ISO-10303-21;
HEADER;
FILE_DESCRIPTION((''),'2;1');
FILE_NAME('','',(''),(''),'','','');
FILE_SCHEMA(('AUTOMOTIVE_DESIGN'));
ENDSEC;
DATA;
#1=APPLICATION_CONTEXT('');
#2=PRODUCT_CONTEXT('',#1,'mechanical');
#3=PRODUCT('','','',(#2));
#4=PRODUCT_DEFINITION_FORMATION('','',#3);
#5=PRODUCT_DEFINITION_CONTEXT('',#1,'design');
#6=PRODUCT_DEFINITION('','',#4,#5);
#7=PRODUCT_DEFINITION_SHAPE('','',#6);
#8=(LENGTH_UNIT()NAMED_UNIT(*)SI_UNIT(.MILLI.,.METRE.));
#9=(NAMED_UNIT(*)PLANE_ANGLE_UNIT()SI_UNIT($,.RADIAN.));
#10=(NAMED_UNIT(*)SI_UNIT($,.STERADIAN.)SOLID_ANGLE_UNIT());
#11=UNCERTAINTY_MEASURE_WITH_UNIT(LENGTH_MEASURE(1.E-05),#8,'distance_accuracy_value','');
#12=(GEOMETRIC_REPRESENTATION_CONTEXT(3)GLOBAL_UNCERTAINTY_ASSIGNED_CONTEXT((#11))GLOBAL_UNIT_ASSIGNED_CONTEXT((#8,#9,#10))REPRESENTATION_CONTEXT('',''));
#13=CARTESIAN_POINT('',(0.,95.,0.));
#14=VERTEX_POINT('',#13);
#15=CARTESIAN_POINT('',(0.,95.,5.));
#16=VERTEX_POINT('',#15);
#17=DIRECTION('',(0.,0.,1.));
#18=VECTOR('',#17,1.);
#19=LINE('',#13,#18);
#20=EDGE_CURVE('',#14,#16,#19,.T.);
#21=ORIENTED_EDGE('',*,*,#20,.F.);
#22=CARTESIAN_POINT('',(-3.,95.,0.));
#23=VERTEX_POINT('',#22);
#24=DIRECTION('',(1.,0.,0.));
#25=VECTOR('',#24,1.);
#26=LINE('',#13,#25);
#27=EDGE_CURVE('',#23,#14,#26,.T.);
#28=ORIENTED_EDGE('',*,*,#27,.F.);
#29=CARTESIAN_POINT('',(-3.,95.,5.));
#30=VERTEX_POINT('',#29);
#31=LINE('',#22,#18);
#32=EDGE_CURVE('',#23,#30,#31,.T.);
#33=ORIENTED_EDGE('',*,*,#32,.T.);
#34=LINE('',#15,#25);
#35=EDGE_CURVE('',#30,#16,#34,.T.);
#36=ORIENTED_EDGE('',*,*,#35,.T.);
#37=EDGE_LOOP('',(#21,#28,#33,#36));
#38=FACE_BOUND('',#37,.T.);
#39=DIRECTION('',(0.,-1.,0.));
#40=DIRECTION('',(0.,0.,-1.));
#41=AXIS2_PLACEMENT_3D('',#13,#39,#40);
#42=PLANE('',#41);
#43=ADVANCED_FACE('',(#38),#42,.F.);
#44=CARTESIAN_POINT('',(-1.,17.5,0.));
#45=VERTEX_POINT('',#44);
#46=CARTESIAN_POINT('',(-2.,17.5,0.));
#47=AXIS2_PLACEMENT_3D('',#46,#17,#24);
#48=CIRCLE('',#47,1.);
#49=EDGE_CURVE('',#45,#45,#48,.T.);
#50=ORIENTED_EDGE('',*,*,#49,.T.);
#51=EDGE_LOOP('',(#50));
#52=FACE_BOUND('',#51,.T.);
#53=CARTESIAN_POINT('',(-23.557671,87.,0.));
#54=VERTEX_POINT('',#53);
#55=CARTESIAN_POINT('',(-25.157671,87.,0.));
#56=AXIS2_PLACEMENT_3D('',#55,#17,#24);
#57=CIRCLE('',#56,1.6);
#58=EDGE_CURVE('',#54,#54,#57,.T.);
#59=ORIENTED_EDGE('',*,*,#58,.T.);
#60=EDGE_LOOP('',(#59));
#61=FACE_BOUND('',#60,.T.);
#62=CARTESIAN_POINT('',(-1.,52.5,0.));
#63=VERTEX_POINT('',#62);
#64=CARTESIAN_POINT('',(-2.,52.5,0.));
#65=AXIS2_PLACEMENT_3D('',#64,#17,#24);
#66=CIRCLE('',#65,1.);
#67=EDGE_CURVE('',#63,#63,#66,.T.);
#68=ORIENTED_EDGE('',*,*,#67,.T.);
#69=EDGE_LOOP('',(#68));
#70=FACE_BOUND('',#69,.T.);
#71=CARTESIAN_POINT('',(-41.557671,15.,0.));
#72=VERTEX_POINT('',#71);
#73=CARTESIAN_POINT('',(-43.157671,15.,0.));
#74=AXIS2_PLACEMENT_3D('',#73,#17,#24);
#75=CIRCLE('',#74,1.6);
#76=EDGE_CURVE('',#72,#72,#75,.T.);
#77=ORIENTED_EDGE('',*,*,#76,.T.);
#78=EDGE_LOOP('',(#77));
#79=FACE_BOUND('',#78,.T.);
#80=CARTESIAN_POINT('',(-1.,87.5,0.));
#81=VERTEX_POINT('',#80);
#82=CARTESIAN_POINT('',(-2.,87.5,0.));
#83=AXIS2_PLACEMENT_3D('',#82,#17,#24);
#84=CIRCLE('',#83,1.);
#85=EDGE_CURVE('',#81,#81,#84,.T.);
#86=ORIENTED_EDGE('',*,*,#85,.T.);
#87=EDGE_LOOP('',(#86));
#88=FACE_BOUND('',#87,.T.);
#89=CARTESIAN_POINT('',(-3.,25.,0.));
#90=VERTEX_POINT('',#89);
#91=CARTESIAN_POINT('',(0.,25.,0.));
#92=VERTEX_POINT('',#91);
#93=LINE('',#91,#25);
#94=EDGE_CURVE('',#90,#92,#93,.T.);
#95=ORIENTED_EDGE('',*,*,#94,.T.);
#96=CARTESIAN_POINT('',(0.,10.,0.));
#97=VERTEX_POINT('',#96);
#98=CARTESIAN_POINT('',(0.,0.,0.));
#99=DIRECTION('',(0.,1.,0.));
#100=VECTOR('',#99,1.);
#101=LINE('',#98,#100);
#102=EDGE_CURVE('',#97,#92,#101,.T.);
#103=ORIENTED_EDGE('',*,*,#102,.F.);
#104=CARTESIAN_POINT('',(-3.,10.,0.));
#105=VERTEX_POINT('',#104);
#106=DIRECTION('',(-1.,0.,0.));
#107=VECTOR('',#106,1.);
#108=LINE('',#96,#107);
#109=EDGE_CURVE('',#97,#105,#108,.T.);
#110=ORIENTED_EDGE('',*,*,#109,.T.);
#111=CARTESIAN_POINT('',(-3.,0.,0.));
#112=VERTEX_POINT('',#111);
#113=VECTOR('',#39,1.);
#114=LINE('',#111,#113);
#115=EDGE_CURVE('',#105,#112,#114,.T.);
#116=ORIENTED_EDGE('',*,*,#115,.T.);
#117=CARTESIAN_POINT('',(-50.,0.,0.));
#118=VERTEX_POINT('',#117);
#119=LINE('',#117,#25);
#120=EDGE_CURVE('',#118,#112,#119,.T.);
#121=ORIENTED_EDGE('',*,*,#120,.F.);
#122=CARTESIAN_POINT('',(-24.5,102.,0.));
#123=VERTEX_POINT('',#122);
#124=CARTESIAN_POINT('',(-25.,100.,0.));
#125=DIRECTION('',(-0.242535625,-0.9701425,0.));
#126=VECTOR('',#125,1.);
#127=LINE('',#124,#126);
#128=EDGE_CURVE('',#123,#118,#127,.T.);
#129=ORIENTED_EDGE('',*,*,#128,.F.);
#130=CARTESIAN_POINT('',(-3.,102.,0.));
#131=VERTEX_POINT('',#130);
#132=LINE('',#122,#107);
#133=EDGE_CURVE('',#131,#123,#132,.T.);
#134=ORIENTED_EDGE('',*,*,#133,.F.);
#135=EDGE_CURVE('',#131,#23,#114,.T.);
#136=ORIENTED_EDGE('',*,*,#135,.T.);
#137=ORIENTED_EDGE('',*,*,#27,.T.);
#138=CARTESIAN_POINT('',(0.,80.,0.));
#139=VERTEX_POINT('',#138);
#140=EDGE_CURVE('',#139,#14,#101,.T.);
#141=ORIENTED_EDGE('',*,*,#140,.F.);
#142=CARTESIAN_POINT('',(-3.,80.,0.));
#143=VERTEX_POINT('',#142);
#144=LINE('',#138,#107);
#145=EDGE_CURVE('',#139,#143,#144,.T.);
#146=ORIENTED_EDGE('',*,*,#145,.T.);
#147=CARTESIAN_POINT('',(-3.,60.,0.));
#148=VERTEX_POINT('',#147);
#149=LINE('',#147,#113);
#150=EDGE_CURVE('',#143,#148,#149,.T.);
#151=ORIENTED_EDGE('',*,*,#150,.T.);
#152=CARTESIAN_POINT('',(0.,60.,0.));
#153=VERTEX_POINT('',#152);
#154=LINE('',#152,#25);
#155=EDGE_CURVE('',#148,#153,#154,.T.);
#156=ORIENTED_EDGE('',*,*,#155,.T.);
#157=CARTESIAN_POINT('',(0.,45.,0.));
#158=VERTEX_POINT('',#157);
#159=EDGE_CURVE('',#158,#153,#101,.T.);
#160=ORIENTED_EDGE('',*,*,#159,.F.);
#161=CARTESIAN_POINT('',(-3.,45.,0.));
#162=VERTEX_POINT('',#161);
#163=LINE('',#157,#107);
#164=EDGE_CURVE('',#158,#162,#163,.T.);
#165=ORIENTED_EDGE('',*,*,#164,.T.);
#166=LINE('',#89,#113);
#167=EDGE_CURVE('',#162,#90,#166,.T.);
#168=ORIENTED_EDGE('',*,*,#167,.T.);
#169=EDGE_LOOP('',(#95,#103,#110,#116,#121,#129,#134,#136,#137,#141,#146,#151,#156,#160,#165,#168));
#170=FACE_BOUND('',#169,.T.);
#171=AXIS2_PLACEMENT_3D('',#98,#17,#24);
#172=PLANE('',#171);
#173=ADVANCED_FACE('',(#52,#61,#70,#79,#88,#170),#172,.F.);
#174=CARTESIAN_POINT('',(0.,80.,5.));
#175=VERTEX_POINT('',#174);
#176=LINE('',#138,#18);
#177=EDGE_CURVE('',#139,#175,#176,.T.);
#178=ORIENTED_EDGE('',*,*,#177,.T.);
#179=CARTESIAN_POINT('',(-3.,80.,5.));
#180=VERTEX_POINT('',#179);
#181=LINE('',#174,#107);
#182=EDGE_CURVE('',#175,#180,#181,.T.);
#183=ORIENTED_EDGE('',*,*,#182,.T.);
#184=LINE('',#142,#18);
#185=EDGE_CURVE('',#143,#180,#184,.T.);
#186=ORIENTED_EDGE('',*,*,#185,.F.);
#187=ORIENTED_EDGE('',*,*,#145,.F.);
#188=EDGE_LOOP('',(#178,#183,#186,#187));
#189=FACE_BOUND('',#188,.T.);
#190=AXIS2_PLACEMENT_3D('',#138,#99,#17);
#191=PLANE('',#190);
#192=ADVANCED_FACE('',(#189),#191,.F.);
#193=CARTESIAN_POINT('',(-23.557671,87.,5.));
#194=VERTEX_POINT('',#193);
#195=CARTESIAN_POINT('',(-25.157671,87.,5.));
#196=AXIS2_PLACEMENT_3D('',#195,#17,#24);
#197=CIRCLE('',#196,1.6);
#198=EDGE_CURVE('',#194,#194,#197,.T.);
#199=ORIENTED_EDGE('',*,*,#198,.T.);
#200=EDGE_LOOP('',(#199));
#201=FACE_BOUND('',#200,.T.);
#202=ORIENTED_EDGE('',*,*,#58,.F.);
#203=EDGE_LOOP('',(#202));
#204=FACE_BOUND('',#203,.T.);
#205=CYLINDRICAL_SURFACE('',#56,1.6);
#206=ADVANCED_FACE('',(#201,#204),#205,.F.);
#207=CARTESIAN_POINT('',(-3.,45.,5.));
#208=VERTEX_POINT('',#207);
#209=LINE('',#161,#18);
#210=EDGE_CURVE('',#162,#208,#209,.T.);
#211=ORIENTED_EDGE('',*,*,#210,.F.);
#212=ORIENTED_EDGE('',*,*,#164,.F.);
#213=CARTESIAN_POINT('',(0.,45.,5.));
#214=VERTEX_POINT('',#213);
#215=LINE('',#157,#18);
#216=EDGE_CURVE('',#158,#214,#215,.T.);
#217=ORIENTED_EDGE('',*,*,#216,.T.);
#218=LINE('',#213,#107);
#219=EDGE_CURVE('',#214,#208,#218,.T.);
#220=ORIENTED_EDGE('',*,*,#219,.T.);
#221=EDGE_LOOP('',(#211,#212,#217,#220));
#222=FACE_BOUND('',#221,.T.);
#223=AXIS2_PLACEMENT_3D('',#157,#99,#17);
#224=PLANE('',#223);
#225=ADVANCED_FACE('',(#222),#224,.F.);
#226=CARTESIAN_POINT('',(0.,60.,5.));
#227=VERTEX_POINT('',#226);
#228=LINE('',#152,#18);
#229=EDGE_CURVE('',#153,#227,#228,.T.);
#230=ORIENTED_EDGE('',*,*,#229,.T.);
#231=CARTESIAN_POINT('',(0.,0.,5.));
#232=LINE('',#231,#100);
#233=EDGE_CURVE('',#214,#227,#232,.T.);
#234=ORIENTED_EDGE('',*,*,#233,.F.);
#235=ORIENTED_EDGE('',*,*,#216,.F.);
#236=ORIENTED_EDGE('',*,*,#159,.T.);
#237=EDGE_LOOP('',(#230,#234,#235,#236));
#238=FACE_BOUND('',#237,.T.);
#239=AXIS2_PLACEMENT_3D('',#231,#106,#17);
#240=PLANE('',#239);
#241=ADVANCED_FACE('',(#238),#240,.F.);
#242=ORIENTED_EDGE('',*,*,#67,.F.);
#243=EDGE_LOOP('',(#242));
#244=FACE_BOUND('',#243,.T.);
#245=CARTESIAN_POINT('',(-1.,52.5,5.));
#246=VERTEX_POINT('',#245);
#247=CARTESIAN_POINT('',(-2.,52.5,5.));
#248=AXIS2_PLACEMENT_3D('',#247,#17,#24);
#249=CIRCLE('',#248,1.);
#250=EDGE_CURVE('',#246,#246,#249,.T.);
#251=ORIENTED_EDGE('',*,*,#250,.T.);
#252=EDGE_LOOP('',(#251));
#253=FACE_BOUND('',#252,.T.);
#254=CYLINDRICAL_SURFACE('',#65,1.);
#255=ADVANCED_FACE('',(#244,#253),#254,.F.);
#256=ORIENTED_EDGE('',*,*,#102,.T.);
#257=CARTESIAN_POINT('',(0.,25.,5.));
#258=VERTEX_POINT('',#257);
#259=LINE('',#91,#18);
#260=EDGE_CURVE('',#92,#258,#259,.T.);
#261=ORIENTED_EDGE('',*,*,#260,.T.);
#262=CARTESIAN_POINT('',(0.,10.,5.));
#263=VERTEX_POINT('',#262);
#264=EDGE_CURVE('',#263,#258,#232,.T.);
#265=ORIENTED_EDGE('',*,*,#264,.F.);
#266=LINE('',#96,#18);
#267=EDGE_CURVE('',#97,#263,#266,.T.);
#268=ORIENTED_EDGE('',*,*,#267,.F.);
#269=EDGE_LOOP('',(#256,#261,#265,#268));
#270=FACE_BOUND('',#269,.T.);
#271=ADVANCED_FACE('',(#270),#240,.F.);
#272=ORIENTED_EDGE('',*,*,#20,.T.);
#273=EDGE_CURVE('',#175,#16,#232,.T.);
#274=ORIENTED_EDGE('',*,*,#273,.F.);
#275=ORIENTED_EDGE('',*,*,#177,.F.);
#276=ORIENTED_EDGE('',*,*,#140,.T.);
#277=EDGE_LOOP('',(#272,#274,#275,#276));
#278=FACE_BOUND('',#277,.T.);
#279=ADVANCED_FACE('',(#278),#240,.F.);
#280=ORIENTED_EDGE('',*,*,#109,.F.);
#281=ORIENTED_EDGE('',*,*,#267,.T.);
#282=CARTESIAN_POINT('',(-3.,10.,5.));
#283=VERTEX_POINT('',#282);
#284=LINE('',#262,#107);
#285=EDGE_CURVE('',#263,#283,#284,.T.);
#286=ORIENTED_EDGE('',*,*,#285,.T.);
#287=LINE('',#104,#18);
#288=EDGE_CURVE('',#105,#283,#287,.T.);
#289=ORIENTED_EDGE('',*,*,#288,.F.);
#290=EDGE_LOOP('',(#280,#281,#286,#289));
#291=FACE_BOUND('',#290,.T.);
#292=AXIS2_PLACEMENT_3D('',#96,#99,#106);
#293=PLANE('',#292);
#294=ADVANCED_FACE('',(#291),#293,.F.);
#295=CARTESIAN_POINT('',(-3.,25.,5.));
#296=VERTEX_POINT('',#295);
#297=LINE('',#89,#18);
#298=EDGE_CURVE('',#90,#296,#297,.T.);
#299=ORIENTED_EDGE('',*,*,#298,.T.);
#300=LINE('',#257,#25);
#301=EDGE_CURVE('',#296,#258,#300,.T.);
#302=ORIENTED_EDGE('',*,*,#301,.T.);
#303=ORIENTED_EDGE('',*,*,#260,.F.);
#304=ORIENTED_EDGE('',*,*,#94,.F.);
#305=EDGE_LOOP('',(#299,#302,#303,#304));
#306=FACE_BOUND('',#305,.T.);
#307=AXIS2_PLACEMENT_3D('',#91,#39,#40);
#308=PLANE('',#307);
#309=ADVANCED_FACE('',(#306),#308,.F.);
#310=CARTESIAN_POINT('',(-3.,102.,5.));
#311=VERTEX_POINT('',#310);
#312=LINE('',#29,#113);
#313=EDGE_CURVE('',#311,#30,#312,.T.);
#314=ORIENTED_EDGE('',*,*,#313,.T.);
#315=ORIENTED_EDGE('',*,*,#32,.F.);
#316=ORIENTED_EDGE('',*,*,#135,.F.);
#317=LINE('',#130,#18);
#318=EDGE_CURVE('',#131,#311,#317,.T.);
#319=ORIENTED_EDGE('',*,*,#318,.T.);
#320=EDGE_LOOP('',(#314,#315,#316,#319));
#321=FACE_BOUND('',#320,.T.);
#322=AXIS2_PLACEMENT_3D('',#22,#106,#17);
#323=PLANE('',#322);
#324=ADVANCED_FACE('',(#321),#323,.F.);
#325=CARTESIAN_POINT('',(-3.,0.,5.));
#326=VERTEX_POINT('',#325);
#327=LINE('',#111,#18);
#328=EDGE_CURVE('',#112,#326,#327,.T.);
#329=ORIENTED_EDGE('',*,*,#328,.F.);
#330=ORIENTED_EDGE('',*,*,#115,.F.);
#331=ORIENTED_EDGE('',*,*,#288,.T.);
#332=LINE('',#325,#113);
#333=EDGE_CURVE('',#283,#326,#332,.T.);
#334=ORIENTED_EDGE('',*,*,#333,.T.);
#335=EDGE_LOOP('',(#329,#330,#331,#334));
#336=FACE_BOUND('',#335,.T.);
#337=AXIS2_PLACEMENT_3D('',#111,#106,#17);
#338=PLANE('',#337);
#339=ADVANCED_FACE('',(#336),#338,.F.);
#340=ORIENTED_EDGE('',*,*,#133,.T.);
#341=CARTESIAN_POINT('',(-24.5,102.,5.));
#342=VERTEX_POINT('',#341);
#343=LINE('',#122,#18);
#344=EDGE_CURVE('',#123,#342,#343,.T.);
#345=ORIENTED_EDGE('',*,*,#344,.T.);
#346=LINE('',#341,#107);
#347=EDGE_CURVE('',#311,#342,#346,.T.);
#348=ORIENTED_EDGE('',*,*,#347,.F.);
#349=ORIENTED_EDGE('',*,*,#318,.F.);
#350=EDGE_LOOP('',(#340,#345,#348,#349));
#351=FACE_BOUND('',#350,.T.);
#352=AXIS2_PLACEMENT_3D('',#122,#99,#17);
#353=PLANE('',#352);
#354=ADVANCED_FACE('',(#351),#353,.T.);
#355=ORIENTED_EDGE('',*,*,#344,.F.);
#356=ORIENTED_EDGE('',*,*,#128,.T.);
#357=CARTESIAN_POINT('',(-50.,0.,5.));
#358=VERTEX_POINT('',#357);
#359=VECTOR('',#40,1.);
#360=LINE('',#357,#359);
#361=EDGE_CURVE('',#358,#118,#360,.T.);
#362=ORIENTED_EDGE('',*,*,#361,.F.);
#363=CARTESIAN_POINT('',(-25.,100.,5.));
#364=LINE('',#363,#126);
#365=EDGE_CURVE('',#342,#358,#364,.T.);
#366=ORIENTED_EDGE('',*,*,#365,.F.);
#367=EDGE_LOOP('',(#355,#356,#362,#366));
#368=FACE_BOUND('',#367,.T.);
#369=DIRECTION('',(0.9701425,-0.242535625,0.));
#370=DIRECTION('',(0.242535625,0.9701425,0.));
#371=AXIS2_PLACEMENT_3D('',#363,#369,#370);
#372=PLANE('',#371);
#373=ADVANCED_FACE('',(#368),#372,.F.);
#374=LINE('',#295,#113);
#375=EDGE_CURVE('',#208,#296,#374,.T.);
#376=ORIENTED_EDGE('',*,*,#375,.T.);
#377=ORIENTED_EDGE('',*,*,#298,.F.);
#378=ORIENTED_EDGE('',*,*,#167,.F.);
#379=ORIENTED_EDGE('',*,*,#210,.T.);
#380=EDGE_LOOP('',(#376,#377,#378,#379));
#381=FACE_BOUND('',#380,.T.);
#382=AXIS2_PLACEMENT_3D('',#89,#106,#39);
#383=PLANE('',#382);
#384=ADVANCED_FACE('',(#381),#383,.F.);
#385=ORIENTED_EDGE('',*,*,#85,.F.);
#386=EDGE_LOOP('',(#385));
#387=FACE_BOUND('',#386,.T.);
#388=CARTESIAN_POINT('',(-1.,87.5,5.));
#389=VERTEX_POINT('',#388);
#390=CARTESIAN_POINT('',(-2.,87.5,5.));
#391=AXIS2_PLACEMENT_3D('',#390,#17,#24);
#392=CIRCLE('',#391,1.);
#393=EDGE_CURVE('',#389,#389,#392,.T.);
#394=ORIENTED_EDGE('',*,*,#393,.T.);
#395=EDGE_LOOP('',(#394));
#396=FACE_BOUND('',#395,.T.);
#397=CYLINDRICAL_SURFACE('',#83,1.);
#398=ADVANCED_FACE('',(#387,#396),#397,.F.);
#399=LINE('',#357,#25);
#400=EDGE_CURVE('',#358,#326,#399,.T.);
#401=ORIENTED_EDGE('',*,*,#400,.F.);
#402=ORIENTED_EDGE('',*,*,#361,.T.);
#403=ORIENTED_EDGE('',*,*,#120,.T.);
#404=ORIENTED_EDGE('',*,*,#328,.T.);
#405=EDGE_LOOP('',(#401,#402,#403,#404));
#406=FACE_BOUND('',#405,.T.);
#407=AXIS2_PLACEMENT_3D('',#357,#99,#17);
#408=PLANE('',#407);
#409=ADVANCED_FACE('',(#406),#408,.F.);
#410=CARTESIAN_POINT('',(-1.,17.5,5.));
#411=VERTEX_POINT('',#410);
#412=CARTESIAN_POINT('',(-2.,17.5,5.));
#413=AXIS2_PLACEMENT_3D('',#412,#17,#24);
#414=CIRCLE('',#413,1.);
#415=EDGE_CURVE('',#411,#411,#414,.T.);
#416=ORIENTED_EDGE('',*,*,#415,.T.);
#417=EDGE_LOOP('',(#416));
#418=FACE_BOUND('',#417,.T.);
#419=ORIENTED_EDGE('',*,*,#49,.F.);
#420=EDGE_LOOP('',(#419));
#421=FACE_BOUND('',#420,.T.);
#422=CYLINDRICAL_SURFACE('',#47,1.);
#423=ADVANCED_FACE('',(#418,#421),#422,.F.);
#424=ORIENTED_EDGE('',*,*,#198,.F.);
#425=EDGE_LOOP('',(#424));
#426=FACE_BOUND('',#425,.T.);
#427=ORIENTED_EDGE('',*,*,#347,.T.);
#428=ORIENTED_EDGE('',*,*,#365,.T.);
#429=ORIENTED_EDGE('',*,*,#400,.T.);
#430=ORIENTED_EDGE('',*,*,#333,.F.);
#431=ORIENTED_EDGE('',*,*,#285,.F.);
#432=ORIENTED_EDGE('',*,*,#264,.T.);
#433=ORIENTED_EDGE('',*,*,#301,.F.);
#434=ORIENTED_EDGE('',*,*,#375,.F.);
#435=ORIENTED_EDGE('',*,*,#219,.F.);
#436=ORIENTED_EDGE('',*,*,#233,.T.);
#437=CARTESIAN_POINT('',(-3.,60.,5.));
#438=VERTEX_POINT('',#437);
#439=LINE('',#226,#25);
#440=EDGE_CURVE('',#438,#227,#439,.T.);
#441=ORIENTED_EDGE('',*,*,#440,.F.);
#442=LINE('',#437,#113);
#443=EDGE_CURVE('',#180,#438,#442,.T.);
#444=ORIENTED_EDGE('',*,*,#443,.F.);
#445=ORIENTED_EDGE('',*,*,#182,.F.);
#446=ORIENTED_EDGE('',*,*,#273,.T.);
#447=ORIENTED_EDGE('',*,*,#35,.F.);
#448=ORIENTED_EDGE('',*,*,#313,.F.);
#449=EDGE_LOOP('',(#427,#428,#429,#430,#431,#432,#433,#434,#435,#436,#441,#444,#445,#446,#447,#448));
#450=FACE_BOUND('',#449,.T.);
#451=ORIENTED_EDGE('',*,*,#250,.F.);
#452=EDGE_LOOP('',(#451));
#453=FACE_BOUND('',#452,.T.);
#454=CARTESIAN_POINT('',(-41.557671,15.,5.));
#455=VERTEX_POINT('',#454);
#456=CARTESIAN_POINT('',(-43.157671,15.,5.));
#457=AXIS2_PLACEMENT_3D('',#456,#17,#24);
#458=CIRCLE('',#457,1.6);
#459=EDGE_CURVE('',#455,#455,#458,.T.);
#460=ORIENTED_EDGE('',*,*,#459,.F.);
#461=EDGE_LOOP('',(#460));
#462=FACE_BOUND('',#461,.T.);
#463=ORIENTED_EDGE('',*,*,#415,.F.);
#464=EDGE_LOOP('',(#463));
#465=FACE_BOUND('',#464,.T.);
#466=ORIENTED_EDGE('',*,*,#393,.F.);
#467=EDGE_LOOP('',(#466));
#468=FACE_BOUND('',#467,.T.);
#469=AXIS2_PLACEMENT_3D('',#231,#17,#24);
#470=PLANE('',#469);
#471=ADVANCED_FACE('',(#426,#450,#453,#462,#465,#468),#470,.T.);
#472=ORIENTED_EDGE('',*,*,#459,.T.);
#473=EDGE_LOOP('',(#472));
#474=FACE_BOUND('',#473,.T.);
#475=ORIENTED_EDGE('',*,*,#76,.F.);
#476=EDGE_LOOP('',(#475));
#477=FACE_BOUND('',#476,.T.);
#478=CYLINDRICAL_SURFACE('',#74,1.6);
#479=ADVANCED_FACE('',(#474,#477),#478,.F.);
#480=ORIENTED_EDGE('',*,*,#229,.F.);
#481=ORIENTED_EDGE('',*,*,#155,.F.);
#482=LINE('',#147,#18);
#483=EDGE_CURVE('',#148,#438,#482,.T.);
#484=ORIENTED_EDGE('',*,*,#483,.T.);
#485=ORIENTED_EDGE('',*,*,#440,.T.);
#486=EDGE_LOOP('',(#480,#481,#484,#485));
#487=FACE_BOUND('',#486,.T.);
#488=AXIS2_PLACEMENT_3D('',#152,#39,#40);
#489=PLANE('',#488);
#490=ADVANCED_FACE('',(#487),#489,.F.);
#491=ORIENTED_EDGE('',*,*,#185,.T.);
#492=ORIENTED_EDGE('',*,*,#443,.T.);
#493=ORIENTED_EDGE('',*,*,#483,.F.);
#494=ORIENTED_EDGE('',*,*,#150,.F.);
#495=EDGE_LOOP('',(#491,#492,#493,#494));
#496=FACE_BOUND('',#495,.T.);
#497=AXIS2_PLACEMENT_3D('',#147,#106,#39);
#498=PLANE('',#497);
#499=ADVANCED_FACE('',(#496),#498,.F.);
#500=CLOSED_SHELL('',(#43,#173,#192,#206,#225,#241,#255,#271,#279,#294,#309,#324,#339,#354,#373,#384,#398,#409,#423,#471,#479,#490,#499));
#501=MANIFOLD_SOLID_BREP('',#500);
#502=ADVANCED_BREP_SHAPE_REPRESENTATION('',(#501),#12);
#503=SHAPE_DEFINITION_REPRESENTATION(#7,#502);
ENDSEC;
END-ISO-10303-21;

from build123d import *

# Parameters (mm, degrees)
EXTRUDE_1_DEPTH     = 5
SKETCH_2_W          = 3
SKETCH_2_H          = 10
SKETCH_2_H_2        = 20
SKETCH_2_H_3        = 12.022353437
CUT_EXTRUDE_1_DEPTH = 112.915146428
EXTRUDE_2_DEPTH     = 5
SKETCH_4_R          = 1.6
CUT_EXTRUDE_2_DEPTH = 114.705760628
SKETCH_5_R          = 1
CUT_EXTRUDE_3_DEPTH = 114.705760628


with BuildPart() as part:
    # 草图1 → 凸台-拉伸1 (new body)
    with BuildSketch(Plane.XY):
        Polygon((0, 0), (0, 100), (-25, 100), (-50, 0), align=None)
    extrude(amount=EXTRUDE_1_DEPTH)

    # 草图2 → 切除-拉伸1 (cut, through all)
    with BuildSketch(Plane.XY.offset(5)):
        with Locations((-1.5, 5)):
            Rectangle(SKETCH_2_W, SKETCH_2_H)
        with Locations((-1.5, 35)):
            Rectangle(SKETCH_2_W, SKETCH_2_H_2)
        with Locations((-1.5, 70)):
            Rectangle(SKETCH_2_W, SKETCH_2_H_2)
        with Locations((-1.5, 101.011176718)):
            Rectangle(SKETCH_2_W, SKETCH_2_H_3)
    extrude(amount=-CUT_EXTRUDE_1_DEPTH, mode=Mode.SUBTRACT)

    # 草图3 → 凸台-拉伸2 (add)
    with BuildSketch(Plane.XY.offset(5)):
        Polygon((-3, 100), (-3, 102), (-24.5, 102), (-25, 100), align=None)
    extrude(amount=-EXTRUDE_2_DEPTH)

    # 草图4 → 切除-拉伸2 (cut, through all)
    with BuildSketch(Plane.XY.offset(5)):
        with Locations((-25.157670781, 87)):
            Circle(SKETCH_4_R)
        with Locations((-43.157670781, 15)):
            Circle(SKETCH_4_R)
    extrude(amount=-CUT_EXTRUDE_2_DEPTH, mode=Mode.SUBTRACT)

    # 草图5 → 切除-拉伸3 (cut, through all)
    with BuildSketch(Plane.XY.offset(5)):
        with Locations((-2, 87.5)):
            Circle(SKETCH_5_R)
        with Locations((-2, 52.5)):
            Circle(SKETCH_5_R)
        with Locations((-2, 17.5)):
            Circle(SKETCH_5_R)
    extrude(amount=-CUT_EXTRUDE_3_DEPTH, mode=Mode.SUBTRACT)


solid = part.part
